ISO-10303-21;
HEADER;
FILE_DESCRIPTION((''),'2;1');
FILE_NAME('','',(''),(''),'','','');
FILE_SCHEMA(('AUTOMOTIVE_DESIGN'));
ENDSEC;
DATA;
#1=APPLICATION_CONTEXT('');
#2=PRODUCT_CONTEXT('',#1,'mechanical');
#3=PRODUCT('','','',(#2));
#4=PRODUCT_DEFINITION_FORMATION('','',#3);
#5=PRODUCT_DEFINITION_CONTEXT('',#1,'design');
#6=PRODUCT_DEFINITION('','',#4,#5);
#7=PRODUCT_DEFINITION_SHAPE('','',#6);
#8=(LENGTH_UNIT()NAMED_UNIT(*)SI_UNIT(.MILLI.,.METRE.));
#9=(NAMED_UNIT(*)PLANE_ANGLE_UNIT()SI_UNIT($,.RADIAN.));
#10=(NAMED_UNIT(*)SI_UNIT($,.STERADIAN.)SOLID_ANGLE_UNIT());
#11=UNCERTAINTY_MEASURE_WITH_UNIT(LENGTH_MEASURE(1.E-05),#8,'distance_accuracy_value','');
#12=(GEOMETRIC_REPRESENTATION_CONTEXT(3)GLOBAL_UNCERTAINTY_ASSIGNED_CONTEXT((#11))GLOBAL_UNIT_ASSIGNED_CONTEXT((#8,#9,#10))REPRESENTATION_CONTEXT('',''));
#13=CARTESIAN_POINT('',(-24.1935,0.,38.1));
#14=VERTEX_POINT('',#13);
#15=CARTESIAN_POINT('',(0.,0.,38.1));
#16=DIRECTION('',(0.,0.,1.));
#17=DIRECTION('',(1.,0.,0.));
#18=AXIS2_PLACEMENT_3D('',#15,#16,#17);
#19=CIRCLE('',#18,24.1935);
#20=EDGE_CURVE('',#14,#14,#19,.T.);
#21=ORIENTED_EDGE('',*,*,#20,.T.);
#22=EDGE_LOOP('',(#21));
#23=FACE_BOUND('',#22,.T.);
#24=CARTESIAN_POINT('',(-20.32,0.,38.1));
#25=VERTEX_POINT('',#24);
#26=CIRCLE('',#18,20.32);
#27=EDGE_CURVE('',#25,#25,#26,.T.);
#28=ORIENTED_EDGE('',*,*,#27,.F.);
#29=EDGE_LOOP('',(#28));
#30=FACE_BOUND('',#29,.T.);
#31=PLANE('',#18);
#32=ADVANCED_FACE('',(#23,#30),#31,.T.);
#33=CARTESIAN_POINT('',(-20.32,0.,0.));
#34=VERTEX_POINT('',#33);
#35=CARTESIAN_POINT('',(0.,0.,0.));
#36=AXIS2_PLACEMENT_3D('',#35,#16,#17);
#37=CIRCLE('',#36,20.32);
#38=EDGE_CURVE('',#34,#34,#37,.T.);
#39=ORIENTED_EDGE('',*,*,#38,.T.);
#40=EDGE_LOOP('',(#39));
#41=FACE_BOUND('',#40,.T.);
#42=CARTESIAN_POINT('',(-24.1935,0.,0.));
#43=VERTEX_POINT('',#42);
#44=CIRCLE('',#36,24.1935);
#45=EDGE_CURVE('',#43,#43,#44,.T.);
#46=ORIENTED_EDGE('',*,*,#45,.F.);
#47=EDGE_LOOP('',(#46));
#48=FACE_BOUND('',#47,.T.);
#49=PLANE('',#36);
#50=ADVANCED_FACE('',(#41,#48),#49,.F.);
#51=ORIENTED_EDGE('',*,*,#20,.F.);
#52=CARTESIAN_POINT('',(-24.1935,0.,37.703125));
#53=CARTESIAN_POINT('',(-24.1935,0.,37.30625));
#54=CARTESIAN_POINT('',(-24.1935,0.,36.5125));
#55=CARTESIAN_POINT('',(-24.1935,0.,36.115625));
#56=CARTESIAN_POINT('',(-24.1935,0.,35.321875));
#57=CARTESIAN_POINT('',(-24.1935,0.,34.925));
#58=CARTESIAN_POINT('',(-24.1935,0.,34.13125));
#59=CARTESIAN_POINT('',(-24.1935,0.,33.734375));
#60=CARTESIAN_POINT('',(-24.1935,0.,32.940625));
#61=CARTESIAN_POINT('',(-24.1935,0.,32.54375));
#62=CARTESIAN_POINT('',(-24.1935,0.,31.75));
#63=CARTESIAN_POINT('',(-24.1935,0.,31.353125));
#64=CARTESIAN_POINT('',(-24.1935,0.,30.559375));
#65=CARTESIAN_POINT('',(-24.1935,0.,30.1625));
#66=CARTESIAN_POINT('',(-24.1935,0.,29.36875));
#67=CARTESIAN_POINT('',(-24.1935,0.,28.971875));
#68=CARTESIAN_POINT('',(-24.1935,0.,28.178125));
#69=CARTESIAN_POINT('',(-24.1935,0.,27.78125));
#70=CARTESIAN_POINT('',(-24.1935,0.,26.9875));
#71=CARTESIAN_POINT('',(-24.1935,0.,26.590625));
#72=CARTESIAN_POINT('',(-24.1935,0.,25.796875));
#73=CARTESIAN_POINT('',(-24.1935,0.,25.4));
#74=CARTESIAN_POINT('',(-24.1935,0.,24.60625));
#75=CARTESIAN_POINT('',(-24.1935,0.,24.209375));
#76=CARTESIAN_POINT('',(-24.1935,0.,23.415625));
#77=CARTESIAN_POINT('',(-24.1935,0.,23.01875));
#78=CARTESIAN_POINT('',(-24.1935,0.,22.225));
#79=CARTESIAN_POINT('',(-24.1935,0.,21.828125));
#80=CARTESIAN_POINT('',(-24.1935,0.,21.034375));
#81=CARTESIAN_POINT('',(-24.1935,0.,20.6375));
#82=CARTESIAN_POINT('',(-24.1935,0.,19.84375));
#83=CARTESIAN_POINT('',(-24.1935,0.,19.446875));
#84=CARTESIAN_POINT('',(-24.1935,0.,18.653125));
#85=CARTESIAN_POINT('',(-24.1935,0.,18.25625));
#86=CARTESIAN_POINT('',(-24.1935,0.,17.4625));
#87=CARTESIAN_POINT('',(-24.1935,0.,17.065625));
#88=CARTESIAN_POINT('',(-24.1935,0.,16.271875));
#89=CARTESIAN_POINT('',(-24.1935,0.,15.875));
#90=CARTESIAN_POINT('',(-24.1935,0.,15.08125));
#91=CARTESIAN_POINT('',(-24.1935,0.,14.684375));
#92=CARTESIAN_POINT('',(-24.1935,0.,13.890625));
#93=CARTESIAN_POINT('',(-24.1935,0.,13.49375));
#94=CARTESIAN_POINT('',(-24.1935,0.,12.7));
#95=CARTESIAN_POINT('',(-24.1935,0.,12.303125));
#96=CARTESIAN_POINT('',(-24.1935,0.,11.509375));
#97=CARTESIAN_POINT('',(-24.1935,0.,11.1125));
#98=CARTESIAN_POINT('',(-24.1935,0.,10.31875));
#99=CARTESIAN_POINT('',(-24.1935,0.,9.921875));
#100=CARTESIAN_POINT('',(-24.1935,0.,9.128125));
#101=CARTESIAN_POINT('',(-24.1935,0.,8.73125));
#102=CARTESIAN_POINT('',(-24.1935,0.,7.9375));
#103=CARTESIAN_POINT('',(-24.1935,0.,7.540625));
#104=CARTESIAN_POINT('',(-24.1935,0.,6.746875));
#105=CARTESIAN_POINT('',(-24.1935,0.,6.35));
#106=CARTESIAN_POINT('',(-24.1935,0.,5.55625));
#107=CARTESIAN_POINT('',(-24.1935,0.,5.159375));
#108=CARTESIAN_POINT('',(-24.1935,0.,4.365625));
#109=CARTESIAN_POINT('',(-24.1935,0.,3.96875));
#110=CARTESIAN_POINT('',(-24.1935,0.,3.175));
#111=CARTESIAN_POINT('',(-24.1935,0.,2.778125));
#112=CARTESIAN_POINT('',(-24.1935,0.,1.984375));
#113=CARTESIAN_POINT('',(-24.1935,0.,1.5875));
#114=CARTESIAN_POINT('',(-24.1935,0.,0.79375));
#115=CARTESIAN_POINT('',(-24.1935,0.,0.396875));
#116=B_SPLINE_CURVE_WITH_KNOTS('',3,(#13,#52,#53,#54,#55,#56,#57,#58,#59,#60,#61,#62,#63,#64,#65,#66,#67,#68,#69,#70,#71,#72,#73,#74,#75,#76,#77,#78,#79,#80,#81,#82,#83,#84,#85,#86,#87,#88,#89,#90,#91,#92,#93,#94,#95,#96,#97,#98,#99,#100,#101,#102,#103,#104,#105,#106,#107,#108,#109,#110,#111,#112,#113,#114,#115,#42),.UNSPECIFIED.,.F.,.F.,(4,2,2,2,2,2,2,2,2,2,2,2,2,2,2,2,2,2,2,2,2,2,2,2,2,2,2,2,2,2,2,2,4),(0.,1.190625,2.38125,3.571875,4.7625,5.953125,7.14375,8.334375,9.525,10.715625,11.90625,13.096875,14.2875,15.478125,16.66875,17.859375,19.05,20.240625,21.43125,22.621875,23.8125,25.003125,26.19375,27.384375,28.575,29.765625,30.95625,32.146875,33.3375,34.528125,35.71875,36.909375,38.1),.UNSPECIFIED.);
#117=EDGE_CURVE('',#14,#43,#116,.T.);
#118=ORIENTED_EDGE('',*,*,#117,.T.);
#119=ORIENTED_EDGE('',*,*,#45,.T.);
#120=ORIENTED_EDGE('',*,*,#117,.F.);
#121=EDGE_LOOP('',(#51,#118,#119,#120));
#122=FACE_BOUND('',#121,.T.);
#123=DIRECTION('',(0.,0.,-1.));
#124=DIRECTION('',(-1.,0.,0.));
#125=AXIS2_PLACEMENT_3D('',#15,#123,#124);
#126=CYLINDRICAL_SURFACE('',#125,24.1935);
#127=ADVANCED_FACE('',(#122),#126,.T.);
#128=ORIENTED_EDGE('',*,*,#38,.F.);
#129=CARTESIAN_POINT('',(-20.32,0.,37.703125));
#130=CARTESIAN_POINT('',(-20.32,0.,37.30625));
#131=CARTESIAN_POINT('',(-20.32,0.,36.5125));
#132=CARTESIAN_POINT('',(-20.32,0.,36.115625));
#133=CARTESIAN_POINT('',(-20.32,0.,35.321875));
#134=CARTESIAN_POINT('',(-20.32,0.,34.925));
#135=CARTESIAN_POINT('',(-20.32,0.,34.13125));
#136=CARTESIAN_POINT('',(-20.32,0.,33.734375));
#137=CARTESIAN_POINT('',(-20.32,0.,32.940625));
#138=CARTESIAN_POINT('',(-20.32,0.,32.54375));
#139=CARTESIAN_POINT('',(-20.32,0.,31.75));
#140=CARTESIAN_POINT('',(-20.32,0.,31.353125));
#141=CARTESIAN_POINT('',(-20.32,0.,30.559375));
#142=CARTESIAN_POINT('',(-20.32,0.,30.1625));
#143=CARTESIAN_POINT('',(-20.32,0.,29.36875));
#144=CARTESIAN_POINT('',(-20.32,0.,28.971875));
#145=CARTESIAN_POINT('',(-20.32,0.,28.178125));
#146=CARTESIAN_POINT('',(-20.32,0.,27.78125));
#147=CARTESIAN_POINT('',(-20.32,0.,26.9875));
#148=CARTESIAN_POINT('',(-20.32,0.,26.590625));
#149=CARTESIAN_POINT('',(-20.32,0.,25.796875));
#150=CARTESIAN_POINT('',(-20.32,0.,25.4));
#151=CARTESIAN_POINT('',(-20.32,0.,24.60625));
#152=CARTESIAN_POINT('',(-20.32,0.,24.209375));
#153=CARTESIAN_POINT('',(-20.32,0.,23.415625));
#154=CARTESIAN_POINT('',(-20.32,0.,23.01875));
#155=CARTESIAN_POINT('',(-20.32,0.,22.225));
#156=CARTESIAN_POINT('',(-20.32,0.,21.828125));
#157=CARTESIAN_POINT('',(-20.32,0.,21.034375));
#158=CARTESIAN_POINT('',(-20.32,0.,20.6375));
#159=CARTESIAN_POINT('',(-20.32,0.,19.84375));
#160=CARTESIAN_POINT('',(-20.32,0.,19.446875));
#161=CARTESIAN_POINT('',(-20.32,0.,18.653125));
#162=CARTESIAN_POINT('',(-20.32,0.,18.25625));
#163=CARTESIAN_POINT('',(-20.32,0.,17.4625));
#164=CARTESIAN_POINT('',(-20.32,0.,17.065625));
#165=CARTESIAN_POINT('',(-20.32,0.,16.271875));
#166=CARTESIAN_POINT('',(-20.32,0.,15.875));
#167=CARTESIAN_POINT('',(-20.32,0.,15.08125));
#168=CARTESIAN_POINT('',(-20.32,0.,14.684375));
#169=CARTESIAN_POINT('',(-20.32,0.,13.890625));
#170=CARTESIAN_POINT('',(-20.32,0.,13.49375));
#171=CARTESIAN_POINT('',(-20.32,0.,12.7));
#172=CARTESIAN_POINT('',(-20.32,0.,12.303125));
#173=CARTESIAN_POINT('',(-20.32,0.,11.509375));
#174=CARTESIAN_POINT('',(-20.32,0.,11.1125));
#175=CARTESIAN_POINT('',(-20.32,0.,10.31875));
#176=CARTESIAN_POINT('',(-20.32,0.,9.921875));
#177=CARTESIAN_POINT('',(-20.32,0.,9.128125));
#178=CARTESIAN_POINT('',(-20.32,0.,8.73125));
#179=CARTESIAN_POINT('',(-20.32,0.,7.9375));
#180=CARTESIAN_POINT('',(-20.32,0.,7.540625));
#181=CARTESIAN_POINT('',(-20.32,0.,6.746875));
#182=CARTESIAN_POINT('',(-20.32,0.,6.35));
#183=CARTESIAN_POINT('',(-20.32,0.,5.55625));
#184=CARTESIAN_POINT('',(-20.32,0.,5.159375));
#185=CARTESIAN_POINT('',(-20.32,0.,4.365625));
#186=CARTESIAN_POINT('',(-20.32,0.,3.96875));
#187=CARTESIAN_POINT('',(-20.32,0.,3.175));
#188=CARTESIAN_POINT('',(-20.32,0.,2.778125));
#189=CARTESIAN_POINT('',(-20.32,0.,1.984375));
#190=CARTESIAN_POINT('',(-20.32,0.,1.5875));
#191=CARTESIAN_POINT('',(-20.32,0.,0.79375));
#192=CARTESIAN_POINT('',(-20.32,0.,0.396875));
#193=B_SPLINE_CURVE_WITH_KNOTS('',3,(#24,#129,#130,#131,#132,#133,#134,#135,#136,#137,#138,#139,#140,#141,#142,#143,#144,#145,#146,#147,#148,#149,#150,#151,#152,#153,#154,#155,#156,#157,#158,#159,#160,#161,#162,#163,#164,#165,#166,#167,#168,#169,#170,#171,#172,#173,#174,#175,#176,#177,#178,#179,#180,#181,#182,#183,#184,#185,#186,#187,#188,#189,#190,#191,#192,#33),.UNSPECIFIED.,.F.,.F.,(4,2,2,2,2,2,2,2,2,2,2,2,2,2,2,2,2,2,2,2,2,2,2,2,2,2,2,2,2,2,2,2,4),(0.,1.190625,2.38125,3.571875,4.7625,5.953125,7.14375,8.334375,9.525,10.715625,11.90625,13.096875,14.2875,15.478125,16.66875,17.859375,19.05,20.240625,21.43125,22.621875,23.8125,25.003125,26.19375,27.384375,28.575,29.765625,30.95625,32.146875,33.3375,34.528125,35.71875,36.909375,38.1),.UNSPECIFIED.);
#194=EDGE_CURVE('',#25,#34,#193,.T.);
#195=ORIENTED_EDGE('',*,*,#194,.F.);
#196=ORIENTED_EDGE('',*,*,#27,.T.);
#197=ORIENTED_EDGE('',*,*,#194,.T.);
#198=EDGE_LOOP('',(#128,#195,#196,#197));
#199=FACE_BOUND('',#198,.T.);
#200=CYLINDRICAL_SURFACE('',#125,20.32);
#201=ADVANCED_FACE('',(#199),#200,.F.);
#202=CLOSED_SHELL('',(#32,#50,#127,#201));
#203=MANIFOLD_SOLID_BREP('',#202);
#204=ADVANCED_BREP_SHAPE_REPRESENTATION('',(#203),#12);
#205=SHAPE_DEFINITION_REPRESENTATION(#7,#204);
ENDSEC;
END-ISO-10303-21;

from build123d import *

# Parameters (mm, degrees)
SKETCH1_R           = 24.1935
SKETCH1_R_2         = 20.32
BOSS_EXTRUDE1_DEPTH = 38.1


with BuildPart() as part:
    # Sketch1 → Boss-Extrude1 (new body)
    with BuildSketch(Plane.XY):
        with Locations(Location((0, 0, 0), (0, 0, 180))):
            Circle(SKETCH1_R)
        with Locations(Location((0, 0, 0), (0, 0, 180))):
            Circle(SKETCH1_R_2, mode=Mode.SUBTRACT)
    extrude(amount=BOSS_EXTRUDE1_DEPTH)


solid = part.part
